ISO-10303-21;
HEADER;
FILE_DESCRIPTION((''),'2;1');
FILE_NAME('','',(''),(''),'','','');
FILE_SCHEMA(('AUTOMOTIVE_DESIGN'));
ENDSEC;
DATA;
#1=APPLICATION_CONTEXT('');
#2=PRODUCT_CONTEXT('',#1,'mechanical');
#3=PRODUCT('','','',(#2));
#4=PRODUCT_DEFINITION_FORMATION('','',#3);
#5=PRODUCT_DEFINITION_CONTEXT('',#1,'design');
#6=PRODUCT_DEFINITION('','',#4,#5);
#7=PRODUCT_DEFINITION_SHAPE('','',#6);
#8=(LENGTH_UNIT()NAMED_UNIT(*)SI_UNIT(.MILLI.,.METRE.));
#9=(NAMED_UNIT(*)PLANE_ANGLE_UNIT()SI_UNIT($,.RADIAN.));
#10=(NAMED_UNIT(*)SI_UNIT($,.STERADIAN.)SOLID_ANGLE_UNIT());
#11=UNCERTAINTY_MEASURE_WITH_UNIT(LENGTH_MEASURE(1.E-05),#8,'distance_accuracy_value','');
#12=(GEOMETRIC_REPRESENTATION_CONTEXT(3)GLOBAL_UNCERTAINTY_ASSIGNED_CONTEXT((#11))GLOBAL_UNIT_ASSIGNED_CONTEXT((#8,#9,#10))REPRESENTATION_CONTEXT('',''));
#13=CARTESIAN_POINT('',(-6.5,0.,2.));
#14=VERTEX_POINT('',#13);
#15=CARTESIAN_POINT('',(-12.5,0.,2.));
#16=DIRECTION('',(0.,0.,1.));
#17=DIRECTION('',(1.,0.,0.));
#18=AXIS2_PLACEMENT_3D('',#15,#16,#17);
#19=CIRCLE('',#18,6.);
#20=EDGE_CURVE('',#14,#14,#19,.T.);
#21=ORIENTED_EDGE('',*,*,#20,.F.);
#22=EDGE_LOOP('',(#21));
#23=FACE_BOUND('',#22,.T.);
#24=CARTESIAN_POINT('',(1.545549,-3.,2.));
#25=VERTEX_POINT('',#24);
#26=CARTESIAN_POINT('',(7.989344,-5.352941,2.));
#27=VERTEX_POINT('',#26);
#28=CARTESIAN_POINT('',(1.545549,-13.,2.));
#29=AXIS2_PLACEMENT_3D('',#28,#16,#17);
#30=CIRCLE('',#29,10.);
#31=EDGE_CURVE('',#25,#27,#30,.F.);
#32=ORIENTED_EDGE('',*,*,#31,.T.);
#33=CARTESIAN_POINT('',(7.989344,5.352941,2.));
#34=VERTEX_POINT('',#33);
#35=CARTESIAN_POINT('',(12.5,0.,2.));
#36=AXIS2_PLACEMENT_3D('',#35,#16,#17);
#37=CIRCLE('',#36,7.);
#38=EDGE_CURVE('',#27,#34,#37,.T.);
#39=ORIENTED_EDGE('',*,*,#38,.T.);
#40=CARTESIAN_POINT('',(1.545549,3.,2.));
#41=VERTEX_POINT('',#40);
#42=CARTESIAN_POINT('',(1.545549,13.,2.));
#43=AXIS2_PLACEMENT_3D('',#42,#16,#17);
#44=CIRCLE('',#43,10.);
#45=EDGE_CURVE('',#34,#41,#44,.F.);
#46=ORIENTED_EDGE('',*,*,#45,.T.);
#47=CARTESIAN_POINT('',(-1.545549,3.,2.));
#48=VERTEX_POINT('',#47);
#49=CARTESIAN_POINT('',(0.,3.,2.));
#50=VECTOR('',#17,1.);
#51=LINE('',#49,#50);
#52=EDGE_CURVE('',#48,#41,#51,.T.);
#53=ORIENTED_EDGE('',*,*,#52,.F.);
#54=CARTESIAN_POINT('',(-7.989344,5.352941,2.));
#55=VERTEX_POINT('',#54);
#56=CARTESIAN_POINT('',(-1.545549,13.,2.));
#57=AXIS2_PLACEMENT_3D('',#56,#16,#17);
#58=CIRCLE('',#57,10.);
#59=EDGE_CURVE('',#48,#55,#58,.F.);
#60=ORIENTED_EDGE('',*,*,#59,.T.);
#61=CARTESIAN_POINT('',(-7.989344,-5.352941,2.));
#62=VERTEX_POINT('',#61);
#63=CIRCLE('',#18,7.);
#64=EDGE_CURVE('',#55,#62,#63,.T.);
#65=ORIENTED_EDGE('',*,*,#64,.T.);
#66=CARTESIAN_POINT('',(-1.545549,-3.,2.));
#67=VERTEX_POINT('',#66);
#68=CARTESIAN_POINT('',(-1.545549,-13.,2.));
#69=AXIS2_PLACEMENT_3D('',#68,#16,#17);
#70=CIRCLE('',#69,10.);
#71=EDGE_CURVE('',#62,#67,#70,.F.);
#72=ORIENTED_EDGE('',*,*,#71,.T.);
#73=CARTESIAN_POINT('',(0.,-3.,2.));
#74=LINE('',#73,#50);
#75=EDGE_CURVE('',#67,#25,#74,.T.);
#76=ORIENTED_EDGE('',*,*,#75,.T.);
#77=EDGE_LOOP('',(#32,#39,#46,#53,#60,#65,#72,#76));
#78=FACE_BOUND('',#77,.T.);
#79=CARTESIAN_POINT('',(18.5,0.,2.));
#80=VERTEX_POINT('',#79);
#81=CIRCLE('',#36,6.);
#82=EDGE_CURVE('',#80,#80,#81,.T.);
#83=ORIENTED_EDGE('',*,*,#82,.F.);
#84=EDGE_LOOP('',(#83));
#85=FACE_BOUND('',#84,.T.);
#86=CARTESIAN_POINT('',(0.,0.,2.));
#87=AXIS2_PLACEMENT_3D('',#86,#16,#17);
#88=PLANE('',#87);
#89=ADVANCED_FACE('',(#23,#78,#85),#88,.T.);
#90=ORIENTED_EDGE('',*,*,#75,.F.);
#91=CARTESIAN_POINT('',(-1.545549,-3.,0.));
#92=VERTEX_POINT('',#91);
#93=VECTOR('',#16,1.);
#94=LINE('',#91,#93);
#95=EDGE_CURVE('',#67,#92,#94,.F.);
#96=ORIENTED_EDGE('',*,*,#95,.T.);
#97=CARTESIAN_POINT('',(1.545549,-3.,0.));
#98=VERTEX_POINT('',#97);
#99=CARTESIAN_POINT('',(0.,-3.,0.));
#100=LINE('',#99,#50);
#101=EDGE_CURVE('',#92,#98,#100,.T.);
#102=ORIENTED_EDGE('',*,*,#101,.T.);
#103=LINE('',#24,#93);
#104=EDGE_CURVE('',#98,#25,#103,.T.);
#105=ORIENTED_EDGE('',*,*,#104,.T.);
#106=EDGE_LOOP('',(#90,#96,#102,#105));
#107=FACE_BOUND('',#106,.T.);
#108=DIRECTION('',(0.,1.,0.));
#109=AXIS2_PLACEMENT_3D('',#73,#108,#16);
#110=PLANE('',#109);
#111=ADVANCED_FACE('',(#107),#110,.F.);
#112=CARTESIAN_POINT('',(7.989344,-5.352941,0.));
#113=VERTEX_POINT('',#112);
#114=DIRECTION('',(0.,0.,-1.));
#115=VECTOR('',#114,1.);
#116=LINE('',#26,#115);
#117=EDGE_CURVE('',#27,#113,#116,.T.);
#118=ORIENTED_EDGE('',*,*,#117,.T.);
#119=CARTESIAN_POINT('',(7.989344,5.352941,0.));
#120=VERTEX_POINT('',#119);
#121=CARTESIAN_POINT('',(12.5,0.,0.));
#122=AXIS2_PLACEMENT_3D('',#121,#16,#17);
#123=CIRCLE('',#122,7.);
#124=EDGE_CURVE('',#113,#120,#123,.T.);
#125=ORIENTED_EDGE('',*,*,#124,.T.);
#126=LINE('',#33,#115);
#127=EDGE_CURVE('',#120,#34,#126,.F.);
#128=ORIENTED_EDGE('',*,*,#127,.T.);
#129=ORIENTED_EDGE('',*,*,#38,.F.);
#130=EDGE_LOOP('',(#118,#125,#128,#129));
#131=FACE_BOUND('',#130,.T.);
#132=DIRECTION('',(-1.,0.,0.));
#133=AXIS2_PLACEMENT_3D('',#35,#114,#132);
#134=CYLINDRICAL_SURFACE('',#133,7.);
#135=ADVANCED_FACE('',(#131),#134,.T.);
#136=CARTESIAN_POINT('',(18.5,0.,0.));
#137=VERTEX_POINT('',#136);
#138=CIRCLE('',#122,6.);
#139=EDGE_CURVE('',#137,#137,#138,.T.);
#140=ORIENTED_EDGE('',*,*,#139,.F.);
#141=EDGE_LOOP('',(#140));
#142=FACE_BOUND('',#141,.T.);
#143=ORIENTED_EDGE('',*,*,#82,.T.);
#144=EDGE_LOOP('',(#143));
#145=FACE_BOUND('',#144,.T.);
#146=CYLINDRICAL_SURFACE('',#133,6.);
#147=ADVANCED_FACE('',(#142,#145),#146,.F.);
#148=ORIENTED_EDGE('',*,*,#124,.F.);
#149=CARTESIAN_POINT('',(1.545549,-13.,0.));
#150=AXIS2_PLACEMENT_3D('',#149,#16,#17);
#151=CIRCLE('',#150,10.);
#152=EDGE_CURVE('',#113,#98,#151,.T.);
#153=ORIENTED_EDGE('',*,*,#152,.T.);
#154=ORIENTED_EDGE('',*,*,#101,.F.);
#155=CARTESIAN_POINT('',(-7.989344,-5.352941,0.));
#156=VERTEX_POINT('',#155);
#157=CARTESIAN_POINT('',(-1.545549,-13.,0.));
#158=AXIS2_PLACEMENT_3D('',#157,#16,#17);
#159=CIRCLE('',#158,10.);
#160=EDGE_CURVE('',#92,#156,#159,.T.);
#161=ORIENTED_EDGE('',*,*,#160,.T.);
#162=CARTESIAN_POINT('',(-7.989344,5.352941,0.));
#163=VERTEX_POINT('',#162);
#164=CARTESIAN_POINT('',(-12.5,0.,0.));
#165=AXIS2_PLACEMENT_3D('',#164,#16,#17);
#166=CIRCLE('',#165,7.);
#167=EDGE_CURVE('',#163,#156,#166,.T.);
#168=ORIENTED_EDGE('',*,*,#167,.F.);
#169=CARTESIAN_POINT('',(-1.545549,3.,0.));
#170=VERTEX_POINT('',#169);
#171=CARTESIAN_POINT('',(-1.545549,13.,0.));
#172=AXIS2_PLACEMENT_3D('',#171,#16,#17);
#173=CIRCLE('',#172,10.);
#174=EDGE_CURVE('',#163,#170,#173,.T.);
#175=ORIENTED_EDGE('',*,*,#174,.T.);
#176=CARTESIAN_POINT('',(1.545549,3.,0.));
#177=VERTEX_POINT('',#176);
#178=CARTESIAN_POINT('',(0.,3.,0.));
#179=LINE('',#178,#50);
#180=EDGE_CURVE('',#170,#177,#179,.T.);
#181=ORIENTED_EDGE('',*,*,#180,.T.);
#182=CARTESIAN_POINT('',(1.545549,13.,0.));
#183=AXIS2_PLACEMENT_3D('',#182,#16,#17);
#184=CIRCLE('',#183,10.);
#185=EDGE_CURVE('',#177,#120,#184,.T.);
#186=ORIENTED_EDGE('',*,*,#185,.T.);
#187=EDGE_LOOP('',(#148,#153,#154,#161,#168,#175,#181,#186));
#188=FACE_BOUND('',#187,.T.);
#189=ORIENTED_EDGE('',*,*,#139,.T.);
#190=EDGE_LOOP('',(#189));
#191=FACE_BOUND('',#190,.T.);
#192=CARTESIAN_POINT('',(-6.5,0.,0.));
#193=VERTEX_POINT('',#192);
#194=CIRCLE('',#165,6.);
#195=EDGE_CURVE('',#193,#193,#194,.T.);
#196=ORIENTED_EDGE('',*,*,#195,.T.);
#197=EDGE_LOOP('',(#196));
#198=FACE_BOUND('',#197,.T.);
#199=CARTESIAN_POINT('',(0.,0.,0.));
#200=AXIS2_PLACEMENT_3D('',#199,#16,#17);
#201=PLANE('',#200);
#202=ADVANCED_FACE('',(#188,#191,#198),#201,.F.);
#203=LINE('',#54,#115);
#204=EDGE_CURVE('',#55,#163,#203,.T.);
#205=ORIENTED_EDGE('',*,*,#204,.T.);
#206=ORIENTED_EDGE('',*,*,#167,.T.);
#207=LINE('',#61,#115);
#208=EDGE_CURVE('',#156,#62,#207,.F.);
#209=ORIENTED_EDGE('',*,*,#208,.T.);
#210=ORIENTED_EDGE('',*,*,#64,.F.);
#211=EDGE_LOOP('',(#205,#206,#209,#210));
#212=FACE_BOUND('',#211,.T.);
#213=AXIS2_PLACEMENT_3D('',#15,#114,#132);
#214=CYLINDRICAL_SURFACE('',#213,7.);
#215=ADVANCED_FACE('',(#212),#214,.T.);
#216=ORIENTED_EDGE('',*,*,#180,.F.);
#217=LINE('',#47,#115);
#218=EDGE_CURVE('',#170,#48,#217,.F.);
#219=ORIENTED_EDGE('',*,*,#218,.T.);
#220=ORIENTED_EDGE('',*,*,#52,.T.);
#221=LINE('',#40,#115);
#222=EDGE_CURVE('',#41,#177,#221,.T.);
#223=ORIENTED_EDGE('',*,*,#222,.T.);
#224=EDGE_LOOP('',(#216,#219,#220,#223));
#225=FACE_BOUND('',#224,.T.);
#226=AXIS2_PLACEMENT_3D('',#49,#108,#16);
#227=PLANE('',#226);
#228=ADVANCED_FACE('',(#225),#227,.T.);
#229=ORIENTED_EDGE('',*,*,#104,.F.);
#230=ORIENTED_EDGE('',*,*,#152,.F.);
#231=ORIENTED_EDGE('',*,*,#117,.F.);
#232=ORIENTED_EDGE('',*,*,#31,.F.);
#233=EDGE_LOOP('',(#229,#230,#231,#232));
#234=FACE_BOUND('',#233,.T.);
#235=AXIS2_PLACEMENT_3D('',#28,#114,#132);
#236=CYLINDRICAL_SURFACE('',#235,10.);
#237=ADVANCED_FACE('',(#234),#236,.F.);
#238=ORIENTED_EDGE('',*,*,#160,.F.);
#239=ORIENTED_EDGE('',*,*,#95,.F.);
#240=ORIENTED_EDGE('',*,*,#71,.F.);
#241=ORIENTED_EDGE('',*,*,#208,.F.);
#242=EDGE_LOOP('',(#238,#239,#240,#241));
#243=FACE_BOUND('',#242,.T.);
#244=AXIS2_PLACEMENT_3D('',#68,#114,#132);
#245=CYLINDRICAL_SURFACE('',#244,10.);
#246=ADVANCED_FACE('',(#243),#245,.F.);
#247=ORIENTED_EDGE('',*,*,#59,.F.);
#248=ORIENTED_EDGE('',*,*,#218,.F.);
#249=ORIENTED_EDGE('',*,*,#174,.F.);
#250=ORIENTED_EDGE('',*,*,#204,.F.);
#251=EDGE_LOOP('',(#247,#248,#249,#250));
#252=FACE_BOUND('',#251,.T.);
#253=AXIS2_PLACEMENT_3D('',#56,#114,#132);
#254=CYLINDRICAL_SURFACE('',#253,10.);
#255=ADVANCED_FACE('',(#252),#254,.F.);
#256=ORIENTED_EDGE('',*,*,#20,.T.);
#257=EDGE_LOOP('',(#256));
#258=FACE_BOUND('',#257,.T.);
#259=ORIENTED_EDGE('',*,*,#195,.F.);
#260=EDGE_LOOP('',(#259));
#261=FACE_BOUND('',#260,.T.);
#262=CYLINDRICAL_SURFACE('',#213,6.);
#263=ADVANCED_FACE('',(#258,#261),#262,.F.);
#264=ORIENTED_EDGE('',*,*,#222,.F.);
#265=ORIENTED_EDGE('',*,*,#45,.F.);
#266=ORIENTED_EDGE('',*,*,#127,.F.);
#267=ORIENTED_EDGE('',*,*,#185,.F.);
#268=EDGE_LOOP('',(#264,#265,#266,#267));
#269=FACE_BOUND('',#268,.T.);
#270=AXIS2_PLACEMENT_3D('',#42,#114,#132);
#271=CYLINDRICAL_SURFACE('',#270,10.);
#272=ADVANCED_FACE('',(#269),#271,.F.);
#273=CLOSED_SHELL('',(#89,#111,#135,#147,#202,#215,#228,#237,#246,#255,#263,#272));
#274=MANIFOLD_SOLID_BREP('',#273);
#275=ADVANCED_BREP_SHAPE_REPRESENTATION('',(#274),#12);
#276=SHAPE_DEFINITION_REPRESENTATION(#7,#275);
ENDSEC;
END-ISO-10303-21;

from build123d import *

# Parameters (mm, degrees)
SKETCH1_R           = 6
BOSS_EXTRUDE1_DEPTH = 2
FILLET1_R           = 10


with BuildPart() as part:
    # Sketch1 → Boss-Extrude1 (new body)
    with BuildSketch(Plane.XY):
        with BuildLine():
            ThreePointArc((-6.17544468, 3), (-19.5, 0), (-6.17544468, -3))
            Line((-6.17544468, -3), (6.17544468, -3))
            ThreePointArc((6.17544468, -3), (19.5, 0), (6.17544468, 3))
            Line((6.17544468, 3), (-6.17544468, 3))
        make_face()
        with Locations((-12.5, 0)):
            Circle(SKETCH1_R, mode=Mode.SUBTRACT)
        with Locations((12.5, 0)):
            Circle(SKETCH1_R, mode=Mode.SUBTRACT)
    extrude(amount=BOSS_EXTRUDE1_DEPTH)

    # Fillet1
    fillet1_edges = [part.edges().sort_by_distance(p)[0] for p in [
        (-6.17544468, 3, 1),
        (6.17544468, 3, 1),
        (6.17544468, -3, 1),
        (-6.17544468, -3, 1),
    ]]
    fillet(fillet1_edges, radius=FILLET1_R)


solid = part.part
